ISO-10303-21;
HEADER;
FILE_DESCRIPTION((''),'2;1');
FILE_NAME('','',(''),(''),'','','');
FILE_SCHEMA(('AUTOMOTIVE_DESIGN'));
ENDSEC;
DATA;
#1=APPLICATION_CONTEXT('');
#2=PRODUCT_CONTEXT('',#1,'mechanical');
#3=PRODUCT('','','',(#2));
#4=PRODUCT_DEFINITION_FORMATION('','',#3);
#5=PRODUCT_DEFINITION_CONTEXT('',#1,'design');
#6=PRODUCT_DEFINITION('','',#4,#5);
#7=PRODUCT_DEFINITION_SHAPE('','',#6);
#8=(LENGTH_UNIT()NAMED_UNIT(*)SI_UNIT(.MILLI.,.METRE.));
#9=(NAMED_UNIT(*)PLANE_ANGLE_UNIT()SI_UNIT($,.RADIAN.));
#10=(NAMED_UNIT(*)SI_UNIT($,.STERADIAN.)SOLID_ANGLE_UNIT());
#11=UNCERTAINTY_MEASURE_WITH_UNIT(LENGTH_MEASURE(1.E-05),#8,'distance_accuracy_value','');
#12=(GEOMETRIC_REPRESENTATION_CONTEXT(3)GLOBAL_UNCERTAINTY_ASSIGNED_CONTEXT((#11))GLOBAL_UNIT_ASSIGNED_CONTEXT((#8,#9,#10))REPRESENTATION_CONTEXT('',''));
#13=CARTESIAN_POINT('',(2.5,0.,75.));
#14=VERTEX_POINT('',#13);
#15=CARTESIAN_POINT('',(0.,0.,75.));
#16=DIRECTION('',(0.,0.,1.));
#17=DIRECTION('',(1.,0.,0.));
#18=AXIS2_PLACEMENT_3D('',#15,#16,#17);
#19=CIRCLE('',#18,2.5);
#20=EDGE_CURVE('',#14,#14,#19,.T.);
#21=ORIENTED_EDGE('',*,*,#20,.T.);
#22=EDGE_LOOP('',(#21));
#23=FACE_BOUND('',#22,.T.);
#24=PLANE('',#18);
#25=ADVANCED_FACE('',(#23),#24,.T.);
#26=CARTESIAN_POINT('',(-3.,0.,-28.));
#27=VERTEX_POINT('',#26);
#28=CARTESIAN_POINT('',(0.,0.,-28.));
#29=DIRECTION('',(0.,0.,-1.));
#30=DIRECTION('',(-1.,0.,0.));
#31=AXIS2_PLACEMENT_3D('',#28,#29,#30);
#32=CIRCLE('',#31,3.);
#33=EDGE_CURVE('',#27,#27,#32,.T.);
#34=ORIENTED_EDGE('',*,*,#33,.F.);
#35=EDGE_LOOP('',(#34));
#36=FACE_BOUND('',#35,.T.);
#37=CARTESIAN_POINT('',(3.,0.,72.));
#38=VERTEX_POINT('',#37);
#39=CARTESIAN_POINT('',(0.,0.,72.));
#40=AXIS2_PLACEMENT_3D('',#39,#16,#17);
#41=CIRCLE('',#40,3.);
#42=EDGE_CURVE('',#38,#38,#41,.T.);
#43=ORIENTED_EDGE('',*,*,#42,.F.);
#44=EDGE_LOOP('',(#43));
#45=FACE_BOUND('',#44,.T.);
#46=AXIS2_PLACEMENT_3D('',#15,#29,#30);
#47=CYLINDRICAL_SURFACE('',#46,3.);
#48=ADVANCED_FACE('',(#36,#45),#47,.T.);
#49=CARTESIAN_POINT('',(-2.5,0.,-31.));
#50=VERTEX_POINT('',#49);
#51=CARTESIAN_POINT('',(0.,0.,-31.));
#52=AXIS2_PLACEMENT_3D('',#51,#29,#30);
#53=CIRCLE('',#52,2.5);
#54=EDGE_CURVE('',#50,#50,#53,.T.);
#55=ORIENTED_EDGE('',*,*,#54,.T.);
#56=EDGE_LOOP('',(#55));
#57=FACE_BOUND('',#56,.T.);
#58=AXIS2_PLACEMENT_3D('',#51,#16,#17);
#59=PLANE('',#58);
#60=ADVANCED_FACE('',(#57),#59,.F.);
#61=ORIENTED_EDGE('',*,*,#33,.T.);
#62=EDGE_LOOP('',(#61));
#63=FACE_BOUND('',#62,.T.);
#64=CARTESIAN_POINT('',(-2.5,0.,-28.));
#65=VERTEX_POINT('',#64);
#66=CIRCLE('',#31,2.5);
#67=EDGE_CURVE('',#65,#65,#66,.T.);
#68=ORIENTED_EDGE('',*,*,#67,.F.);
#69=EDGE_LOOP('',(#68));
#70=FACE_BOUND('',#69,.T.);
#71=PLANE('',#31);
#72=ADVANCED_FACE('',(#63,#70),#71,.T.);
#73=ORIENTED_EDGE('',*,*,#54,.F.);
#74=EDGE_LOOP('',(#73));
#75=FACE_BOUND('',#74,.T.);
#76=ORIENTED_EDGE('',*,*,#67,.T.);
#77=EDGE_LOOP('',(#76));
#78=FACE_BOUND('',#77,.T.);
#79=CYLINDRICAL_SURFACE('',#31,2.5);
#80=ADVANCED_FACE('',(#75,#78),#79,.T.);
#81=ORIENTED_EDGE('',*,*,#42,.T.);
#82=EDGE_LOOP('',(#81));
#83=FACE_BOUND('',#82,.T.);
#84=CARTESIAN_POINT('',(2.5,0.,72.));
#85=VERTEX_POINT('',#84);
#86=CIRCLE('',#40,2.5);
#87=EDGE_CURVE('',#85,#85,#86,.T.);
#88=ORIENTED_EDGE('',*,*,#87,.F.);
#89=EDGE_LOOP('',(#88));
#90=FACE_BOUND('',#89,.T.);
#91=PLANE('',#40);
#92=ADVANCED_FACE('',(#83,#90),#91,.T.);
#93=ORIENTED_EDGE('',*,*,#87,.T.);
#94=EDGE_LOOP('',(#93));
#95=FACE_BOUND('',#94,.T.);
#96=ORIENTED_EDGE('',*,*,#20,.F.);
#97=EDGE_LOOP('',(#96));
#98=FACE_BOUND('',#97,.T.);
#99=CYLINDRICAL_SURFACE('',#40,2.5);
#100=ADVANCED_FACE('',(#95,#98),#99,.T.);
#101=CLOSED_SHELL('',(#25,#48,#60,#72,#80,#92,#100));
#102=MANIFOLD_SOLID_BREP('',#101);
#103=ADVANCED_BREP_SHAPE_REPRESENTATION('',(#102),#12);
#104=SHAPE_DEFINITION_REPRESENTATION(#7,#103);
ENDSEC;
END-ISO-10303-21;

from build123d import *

# Parameters (mm, degrees)
SKETCH2_R                = 3
BOSS_EXTRUDE1_DEPTH      = 75
BOSS_EXTRUDE1_DEPTH_BACK = 75
CHAMFER1_SIZE            = 0.12
SKETCH4_R                = 3
CUT_EXTRUDE1_DEPTH       = 44
SKETCH5_OUTSIDE_W        = 29.268
SKETCH5_OUTSIDE_H        = 29.268
SKETCH5_OUTSIDE_R        = 2.5
CUT_EXTRUDE2_DEPTH       = 3
SKETCH6_OUTSIDE_W        = 29.268
SKETCH6_OUTSIDE_H        = 29.268
SKETCH6_OUTSIDE_R        = 2.5
CUT_EXTRUDE3_DEPTH       = 3


with BuildPart() as part:
    # Sketch2 → Boss-Extrude1 (new body, two sides)
    with BuildSketch(Plane.XY) as boss_extrude1_sk:
        Circle(SKETCH2_R)
    extrude(amount=BOSS_EXTRUDE1_DEPTH)
    extrude(boss_extrude1_sk.sketch, amount=-BOSS_EXTRUDE1_DEPTH_BACK)

    # Chamfer1
    chamfer1_edges = [part.edges().sort_by_distance(p)[0] for p in [
        (-3, 0, -75),
        (-3, 0, 75),
    ]]
    chamfer(chamfer1_edges, length=CHAMFER1_SIZE)

    # Sketch4 → Cut-Extrude1 (cut)
    with BuildSketch(Plane(origin=(0, 0, -75), x_dir=(-1, 0, 0), z_dir=(0, 0, -1))):
        Circle(SKETCH4_R)
    extrude(amount=-CUT_EXTRUDE1_DEPTH, mode=Mode.SUBTRACT)

    # Sketch5 outside → Cut-Extrude2 (cut)
    with BuildSketch(Plane(origin=(0, 0, -31), x_dir=(-1, 0, 0), z_dir=(0, 0, -1))):
        Rectangle(SKETCH5_OUTSIDE_W, SKETCH5_OUTSIDE_H)
        Circle(SKETCH5_OUTSIDE_R, mode=Mode.SUBTRACT)
    extrude(amount=-CUT_EXTRUDE2_DEPTH, mode=Mode.SUBTRACT)

    # Sketch6 outside → Cut-Extrude3 (cut)
    with BuildSketch(Plane.XY.offset(75)):
        Rectangle(SKETCH6_OUTSIDE_W, SKETCH6_OUTSIDE_H)
        Circle(SKETCH6_OUTSIDE_R, mode=Mode.SUBTRACT)
    extrude(amount=-CUT_EXTRUDE3_DEPTH, mode=Mode.SUBTRACT)


solid = part.part
